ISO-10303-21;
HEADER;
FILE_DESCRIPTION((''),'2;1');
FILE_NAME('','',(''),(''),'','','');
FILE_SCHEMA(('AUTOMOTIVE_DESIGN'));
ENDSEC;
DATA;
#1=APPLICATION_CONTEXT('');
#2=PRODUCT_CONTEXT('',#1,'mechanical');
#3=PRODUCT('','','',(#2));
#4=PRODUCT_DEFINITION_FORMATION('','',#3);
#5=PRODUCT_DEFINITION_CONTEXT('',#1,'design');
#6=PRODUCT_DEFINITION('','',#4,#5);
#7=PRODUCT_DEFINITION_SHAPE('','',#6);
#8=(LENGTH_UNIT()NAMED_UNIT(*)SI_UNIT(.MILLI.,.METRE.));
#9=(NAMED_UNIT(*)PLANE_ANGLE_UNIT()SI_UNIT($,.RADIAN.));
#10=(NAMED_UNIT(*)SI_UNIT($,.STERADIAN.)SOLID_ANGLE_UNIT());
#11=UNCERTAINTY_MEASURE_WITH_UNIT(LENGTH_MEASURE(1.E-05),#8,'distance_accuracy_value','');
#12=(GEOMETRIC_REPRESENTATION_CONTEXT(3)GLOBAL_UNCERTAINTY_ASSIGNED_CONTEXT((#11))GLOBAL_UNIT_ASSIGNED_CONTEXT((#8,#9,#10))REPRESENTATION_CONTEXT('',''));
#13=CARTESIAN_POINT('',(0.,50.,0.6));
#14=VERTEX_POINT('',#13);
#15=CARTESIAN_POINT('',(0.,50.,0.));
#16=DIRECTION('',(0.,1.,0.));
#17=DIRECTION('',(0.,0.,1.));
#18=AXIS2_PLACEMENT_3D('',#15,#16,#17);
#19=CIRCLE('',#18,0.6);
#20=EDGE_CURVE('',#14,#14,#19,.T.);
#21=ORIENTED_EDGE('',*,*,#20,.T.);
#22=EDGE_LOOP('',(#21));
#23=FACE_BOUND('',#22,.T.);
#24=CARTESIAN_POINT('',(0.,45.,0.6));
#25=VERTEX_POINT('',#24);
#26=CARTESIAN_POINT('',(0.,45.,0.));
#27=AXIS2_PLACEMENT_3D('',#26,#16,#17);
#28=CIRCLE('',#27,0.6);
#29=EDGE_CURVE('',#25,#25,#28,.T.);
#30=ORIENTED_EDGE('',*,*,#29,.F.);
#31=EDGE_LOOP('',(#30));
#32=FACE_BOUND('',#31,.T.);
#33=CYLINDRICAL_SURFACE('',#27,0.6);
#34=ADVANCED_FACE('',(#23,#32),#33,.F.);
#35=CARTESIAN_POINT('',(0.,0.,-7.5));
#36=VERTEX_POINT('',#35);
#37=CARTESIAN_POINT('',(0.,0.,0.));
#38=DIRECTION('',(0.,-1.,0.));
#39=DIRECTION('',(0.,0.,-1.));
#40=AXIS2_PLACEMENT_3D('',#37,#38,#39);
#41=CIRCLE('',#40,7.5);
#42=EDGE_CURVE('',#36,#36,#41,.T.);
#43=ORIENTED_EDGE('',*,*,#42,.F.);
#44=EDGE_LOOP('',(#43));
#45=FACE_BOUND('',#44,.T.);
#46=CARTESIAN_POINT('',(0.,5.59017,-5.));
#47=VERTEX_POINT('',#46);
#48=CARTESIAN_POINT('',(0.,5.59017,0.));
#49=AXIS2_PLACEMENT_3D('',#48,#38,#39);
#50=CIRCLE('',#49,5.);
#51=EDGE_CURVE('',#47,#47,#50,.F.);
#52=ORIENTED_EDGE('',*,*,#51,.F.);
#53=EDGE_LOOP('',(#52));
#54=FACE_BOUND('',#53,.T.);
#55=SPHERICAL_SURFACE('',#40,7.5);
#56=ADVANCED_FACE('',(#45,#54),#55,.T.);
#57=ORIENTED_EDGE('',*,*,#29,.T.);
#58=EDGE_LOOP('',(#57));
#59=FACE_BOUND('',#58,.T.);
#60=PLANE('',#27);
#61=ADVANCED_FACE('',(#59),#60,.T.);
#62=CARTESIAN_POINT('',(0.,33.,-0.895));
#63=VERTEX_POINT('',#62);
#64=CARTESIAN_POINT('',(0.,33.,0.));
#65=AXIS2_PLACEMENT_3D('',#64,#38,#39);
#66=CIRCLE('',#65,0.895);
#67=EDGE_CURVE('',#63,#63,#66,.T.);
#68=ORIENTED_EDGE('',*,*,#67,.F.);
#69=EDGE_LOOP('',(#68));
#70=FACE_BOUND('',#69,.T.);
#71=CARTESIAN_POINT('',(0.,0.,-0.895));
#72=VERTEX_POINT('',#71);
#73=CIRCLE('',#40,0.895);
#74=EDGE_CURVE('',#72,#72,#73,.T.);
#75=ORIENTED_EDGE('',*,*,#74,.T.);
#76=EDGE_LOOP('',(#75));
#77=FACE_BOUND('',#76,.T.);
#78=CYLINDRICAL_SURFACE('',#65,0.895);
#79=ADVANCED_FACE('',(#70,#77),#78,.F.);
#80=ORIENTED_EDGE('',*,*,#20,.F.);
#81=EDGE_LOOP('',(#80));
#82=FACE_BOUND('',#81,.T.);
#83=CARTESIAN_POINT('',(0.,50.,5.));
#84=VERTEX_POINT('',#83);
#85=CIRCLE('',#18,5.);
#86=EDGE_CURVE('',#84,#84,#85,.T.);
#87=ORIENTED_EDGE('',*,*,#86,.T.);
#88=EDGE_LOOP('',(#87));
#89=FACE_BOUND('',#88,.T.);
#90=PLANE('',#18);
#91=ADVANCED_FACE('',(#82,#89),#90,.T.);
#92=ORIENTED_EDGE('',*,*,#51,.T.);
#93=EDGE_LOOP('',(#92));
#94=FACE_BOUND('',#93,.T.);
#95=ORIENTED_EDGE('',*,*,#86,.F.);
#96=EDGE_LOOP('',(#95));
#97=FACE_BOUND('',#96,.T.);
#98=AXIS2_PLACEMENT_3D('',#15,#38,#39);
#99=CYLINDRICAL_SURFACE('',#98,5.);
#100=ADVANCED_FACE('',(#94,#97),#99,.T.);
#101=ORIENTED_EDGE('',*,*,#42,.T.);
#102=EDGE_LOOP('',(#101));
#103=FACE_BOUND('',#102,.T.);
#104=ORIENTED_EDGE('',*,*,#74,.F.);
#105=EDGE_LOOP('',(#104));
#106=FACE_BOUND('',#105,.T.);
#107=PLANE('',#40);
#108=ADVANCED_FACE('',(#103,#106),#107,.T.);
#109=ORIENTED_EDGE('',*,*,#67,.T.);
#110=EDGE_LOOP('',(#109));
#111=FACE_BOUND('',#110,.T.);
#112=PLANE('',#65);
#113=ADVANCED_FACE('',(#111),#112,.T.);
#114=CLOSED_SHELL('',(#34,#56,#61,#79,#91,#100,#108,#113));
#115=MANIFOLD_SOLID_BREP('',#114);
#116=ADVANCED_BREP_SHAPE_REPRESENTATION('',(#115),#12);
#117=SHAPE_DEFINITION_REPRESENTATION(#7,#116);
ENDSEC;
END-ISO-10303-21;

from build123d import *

# Parameters (mm, degrees)
CIRCULAR_BASE_ANGLE       = 180
CIYLINDRICAL_SUPPORT_R    = 5
CYLINDRICAL_SUPPORT_DEPTH = 50
SKETCH5_R                 = 0.6
PILOT_HOLE_DEPTH          = 5
SKETCH6_R                 = 0.895
BOTTOM_HOLE_DEPTH         = 33


with BuildPart() as part:
    # Sketch3 → Circular Base (revolve)
    with BuildSketch(Plane(origin=(0, 0, 0), x_dir=(1, 0, 0), z_dir=(0, 1, 0))):
        with BuildLine():
            Line((-7.5, 0), (7.5, 0))
            ThreePointArc((7.5, 0), (0, -7.5), (-7.5, 0))
        make_face()
    revolve(axis=Axis((-7.5, 0, 0), (-1, 0, 0)), revolution_arc=CIRCULAR_BASE_ANGLE)

    # Ciylindrical Support → Cylindrical Support (add)
    with BuildSketch(Plane(origin=(0, 0, 0), x_dir=(1, 0, 0), z_dir=(0, 1, 0))):
        with Locations(Location((0, 0, 0), (0, 0, 90))):
            Circle(CIYLINDRICAL_SUPPORT_R)
    extrude(amount=CYLINDRICAL_SUPPORT_DEPTH)

    # Sketch5 → Pilot Hole (cut)
    with BuildSketch(Plane(origin=(0, 50, 0), x_dir=(1, 0, 0), z_dir=(0, 1, 0))):
        with Locations(Location((0, 0, 0), (0, 0, 270))):
            Circle(SKETCH5_R)
    extrude(amount=-PILOT_HOLE_DEPTH, mode=Mode.SUBTRACT)

    # Sketch6 → Bottom Hole (cut)
    with BuildSketch(Plane.XZ):
        with Locations(Location((0, 0, 0), (0, 0, 270))):
            Circle(SKETCH6_R)
    extrude(amount=-BOTTOM_HOLE_DEPTH, mode=Mode.SUBTRACT)


solid = part.part
